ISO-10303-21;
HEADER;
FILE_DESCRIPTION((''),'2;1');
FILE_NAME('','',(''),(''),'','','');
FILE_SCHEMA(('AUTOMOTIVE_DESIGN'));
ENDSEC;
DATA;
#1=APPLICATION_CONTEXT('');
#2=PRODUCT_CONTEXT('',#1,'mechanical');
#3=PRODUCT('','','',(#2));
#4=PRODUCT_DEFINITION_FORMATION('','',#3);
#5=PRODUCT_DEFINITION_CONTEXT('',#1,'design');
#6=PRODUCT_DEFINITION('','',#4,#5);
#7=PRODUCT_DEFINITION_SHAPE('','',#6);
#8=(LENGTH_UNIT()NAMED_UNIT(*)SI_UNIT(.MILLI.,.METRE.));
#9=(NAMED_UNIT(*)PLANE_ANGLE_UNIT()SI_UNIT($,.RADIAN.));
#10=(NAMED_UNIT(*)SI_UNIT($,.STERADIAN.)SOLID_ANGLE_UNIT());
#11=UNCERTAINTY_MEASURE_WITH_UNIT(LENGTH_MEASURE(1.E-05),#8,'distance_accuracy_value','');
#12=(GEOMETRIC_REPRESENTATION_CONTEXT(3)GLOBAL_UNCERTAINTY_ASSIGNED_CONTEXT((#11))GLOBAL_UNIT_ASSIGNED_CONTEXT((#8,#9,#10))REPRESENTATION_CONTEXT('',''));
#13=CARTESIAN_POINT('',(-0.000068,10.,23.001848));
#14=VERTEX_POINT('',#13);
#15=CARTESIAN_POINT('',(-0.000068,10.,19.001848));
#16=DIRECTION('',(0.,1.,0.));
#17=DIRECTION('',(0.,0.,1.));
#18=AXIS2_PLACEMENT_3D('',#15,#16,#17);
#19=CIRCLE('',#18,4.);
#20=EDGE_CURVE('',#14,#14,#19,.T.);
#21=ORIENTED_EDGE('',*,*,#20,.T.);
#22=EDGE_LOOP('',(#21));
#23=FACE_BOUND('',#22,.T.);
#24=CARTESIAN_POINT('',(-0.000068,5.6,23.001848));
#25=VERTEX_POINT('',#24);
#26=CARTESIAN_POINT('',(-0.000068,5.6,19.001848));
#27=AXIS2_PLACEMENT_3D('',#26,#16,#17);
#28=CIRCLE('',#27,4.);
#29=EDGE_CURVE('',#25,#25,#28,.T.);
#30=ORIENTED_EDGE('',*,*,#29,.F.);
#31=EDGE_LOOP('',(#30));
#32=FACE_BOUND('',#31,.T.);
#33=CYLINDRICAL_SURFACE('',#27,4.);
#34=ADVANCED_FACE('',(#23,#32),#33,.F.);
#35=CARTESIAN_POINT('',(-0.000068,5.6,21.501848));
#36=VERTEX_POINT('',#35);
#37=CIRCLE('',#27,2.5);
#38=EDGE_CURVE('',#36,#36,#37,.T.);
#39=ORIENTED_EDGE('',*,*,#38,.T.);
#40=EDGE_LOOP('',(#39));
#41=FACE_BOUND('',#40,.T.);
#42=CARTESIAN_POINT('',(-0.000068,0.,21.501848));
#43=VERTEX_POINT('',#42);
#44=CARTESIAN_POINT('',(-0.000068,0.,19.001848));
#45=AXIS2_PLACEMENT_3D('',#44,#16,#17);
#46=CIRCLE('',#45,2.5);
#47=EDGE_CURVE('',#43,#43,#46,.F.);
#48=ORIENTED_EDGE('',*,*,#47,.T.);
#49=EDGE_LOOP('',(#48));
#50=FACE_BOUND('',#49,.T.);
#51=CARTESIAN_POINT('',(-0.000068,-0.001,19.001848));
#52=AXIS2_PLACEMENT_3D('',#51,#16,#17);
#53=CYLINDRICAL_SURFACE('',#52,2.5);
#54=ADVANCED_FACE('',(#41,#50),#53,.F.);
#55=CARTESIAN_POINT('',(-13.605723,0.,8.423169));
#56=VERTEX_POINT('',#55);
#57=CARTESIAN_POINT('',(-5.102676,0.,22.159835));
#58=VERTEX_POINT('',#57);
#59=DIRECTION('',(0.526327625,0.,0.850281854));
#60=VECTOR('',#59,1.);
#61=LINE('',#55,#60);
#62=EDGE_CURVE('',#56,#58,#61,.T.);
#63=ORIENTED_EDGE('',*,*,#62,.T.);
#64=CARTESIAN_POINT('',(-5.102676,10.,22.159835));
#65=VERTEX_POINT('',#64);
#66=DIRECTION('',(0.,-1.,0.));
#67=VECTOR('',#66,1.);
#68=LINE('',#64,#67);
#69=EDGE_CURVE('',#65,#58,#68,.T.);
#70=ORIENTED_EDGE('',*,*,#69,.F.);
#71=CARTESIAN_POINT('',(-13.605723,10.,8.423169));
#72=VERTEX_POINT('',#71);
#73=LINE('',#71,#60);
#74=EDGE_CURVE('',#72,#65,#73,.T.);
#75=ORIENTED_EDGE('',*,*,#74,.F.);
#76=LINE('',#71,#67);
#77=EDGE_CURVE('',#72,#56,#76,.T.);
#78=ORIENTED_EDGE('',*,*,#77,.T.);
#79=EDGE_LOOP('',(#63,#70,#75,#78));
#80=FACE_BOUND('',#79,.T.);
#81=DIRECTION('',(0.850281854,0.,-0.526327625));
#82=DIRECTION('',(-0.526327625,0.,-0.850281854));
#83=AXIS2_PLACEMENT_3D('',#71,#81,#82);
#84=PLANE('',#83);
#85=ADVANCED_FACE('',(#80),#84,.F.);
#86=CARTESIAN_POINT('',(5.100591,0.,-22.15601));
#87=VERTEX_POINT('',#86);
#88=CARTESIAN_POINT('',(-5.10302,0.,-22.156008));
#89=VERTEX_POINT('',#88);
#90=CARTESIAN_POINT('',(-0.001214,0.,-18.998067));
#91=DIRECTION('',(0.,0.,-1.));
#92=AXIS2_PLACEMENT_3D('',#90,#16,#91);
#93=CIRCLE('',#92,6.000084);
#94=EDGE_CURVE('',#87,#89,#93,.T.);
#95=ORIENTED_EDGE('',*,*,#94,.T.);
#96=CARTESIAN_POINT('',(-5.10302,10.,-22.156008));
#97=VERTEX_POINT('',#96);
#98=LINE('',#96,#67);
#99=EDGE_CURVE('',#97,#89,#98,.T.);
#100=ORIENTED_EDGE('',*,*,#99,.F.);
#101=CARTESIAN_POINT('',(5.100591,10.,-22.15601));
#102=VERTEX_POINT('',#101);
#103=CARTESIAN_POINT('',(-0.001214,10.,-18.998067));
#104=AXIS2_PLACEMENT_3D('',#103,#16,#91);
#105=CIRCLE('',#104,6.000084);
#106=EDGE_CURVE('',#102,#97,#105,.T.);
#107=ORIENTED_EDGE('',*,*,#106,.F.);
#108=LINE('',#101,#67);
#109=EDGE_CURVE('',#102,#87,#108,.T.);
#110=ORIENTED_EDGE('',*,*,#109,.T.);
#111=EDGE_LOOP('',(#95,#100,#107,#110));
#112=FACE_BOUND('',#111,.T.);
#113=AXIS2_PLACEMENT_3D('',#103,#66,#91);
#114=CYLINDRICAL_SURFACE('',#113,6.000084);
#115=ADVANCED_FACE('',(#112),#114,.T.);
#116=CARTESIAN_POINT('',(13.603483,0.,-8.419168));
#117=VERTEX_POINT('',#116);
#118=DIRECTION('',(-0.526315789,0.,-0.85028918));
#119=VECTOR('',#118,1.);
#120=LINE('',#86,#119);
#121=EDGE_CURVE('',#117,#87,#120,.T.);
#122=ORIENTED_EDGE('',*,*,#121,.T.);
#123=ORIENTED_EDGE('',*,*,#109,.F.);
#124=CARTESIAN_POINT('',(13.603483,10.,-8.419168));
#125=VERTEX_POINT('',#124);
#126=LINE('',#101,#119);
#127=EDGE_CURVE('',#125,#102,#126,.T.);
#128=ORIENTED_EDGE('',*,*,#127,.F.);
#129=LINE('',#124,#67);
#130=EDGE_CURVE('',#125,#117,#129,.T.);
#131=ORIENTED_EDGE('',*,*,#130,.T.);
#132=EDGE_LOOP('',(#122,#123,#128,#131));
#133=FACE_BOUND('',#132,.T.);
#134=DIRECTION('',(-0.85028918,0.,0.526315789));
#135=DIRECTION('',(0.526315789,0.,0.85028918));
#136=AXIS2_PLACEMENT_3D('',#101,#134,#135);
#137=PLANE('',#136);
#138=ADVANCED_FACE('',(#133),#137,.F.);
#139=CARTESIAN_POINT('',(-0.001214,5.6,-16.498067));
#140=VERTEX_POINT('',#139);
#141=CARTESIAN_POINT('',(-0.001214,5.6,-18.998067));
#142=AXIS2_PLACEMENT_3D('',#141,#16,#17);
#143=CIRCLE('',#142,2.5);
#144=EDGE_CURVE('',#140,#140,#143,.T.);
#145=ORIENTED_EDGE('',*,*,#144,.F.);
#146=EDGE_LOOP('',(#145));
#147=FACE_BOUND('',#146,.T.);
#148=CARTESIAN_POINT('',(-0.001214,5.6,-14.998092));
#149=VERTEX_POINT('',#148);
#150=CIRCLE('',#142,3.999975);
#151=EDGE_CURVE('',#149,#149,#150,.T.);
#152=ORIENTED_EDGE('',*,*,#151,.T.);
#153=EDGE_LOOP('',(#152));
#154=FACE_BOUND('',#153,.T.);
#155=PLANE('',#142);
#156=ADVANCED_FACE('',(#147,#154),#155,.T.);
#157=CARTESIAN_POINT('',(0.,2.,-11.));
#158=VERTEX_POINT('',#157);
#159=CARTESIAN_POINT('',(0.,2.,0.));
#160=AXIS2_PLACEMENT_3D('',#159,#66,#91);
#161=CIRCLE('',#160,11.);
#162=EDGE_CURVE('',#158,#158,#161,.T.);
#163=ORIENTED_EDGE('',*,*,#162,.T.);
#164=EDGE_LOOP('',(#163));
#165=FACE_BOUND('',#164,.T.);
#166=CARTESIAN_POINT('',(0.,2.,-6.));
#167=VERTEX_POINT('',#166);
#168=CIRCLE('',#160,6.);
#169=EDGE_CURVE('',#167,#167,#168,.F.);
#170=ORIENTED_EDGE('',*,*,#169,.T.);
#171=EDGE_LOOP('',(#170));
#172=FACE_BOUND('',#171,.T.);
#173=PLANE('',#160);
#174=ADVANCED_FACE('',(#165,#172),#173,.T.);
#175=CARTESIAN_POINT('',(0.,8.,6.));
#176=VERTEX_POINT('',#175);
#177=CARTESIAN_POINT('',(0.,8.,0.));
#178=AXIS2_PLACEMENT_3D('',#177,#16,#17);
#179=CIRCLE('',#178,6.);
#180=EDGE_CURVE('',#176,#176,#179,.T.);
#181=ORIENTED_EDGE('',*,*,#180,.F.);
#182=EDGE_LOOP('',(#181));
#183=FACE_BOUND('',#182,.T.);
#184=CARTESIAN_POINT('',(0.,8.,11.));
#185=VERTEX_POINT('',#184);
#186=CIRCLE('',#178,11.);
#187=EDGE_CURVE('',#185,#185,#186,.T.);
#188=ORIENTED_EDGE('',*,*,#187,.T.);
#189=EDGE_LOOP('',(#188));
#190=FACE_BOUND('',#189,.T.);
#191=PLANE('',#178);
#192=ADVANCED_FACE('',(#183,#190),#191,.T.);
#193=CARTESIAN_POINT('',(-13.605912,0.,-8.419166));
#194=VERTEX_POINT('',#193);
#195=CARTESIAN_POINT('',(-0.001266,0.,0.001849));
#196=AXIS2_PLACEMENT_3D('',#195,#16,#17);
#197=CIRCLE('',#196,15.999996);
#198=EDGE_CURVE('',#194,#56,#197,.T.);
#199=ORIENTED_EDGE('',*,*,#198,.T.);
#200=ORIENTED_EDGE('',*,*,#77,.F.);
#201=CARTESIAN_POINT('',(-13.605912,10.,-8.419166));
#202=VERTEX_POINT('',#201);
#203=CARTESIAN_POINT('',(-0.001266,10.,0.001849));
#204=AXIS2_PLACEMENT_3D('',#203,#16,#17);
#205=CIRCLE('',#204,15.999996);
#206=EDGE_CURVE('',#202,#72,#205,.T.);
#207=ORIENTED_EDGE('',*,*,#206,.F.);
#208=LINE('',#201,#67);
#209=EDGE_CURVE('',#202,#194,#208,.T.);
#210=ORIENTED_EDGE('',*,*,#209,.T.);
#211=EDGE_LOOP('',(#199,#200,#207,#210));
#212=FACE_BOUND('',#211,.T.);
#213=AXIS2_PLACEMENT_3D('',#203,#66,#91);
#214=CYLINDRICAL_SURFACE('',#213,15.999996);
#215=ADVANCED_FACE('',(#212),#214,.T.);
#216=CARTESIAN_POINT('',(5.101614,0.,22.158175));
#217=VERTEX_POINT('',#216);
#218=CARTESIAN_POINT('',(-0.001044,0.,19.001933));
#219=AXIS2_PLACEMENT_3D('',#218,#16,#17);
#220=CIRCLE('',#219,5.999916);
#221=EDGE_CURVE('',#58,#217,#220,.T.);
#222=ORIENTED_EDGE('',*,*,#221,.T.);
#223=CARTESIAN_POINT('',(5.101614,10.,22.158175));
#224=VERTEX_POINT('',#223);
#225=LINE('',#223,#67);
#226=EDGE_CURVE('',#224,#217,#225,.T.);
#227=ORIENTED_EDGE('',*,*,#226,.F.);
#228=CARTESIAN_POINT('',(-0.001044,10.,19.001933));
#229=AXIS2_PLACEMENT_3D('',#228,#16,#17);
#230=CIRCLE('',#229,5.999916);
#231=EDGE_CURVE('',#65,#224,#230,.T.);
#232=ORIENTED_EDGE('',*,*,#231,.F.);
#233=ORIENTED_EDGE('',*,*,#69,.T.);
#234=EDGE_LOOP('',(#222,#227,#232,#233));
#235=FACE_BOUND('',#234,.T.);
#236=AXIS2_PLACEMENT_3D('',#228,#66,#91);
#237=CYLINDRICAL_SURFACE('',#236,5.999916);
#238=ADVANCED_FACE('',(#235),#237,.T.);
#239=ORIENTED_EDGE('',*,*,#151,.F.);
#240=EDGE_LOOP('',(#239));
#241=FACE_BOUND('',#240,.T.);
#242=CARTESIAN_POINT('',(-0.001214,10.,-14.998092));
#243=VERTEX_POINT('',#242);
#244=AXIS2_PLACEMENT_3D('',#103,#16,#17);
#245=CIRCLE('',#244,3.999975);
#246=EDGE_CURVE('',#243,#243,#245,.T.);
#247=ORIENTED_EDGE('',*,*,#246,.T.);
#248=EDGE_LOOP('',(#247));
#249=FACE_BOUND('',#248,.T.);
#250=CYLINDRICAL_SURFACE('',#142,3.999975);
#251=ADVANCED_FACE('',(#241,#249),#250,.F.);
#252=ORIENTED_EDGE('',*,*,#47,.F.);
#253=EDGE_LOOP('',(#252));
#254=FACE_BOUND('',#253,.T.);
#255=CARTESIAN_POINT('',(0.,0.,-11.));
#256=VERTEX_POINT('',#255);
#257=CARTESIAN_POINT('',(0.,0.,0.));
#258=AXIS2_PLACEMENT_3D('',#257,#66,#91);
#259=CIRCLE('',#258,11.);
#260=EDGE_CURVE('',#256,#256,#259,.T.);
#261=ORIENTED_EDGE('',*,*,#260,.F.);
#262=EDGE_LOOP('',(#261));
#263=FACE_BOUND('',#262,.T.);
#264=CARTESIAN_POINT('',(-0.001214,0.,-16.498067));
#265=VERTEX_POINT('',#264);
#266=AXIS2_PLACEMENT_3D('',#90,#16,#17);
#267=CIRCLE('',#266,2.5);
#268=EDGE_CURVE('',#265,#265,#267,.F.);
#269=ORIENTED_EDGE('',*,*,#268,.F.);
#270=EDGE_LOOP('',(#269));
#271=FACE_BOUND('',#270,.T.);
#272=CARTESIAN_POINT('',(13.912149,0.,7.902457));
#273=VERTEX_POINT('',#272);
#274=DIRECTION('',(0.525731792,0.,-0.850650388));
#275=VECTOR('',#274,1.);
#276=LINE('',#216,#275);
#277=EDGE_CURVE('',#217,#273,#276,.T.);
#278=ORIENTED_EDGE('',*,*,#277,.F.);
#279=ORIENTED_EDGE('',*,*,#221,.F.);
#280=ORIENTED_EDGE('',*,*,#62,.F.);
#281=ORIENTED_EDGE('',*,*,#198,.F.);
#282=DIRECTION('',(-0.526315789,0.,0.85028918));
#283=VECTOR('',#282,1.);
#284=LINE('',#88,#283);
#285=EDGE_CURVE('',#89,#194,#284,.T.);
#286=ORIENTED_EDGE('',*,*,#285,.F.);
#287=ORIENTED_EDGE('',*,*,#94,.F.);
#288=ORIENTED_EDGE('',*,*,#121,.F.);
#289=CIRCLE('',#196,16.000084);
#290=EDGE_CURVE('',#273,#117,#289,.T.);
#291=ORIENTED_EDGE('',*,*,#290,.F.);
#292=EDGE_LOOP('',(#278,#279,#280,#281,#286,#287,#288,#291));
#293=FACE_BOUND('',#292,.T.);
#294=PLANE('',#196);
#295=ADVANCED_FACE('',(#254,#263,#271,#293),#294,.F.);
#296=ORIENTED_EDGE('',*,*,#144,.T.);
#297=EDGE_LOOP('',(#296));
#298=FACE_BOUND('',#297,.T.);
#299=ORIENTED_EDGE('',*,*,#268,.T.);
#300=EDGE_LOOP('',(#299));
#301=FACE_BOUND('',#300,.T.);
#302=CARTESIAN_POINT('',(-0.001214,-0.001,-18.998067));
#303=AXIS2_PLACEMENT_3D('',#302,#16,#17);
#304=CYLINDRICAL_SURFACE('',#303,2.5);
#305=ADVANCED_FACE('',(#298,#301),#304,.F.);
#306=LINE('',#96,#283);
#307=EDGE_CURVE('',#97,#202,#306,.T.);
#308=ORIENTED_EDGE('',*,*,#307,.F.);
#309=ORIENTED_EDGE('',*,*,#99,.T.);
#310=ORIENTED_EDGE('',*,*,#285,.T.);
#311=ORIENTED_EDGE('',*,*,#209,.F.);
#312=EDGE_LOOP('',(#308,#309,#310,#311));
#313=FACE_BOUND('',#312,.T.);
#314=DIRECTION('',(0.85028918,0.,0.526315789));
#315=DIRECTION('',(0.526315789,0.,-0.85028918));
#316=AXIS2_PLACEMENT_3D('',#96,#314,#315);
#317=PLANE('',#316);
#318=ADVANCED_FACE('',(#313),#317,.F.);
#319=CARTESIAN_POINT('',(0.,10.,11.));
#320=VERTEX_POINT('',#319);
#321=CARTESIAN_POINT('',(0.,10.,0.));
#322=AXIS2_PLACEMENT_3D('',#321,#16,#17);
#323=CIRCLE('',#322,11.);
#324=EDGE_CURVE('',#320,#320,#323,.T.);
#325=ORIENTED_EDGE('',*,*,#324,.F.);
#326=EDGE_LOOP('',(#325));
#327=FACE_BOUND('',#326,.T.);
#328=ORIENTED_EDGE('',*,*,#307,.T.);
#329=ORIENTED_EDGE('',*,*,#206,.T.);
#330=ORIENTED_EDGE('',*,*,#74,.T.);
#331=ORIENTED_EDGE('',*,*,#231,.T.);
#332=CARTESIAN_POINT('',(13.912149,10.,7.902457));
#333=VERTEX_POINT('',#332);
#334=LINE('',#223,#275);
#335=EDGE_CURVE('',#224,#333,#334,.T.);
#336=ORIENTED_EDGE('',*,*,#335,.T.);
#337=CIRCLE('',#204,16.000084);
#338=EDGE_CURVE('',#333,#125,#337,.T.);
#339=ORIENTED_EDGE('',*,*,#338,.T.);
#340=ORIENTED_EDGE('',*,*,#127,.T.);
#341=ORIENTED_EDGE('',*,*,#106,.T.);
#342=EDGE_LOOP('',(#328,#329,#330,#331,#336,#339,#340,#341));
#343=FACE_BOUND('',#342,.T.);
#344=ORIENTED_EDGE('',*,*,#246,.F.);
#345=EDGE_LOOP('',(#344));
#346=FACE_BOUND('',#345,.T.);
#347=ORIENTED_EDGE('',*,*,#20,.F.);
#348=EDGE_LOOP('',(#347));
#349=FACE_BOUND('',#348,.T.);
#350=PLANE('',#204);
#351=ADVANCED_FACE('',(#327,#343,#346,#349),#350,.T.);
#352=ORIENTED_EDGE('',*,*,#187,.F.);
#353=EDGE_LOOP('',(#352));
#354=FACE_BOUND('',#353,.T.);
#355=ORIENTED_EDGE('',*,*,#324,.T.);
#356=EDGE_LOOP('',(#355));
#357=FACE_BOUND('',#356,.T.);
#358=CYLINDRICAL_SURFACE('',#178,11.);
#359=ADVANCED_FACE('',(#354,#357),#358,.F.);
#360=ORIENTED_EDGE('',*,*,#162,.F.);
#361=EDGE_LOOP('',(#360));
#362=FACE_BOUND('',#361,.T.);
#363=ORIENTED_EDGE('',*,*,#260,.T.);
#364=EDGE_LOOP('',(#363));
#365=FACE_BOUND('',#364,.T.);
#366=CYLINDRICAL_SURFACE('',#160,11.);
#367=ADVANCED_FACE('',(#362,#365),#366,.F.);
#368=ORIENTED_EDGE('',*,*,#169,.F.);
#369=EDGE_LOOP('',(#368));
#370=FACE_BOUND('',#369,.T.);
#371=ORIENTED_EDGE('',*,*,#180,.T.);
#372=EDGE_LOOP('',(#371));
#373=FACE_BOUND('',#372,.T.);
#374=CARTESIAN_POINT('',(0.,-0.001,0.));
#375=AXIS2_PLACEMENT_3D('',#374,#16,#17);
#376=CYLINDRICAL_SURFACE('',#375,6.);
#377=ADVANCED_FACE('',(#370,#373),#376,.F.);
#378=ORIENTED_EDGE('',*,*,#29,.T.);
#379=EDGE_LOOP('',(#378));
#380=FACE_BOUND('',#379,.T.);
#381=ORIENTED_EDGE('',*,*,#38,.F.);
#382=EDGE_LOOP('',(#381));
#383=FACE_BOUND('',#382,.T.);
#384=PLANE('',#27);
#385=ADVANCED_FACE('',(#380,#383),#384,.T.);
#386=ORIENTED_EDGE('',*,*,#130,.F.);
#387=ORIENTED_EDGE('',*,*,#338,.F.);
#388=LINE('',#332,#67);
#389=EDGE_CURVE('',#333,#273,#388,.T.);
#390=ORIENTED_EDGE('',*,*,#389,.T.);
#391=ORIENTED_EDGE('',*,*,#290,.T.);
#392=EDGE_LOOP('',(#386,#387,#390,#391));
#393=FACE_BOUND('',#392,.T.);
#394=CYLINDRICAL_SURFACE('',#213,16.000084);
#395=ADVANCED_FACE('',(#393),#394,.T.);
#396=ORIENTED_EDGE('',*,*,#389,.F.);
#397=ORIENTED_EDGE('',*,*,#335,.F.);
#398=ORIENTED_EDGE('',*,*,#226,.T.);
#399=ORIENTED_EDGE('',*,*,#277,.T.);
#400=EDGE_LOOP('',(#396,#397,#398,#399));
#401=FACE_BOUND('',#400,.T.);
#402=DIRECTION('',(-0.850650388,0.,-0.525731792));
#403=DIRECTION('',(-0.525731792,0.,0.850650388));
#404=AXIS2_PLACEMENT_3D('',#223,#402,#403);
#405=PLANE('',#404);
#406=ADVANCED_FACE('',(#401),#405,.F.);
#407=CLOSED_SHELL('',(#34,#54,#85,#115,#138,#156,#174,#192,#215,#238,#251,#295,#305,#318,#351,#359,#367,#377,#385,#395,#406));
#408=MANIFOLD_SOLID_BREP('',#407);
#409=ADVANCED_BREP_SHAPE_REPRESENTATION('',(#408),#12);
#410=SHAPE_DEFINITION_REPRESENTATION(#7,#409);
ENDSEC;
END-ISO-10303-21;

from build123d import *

# Parameters (mm, degrees)
BOSS_EXTRUDE1_DEPTH = 10
SKETCH2_R           = 3.99997531
SKETCH2_R_2         = 4
CUT_EXTRUDE1_DEPTH  = 4.4
CUT_EXTRUDE2_REACH  = 32.207
SKETCH3_R           = 2.5
SKETCH4_R           = 11
CUT_EXTRUDE3_DEPTH  = 2
CUT_EXTRUDE4_REACH  = 32.743
SKETCH5_R           = 6
CUT_EXTRUDE5_START  = -2
SKETCH6_R           = 11
CUT_EXTRUDE5_DEPTH  = 2


with BuildPart() as part:
    # Sketch1 → Boss-Extrude1 (new body)
    with BuildSketch(Plane(origin=(0, 0, 0), x_dir=(1, 0, 0), z_dir=(0, 1, 0))):
        with BuildLine():
            Line((-5.103019764, 22.15600792), (-13.605911567, 8.419165811))
            ThreePointArc((-13.605911567, 8.419165811), (-16.001261955, -0.002028565), (-13.605722542, -8.423169172))
            Line((-13.605722542, -8.423169172), (-5.102675537, -22.159834758))
            ThreePointArc((-5.102675537, -22.159834758), (-6.8217e-05, -25.001848451), (5.101614332, -22.158175041))
            Line((5.101614332, -22.158175041), (13.912148597, -7.902456622))
            ThreePointArc((13.912148597, -7.902456622), (15.995958201, 0.300682208), (13.603482502, 8.419167853))
            Line((13.603482502, 8.419167853), (5.100590702, 22.156009965))
            ThreePointArc((5.100590702, 22.156009965), (-0.0012151, 24.998151536), (-5.103019764, 22.15600792))
        make_face()
    extrude(amount=BOSS_EXTRUDE1_DEPTH)

    # Sketch2 → Cut-Extrude1 (cut)
    with BuildSketch(Plane(origin=(0, 10, 0), x_dir=(1, 0, 0), z_dir=(0, 1, 0))):
        with Locations((-0.001213898, 18.998067086)):
            Circle(SKETCH2_R)
        with Locations((-6.8217e-05, -19.001848451)):
            Circle(SKETCH2_R_2)
    extrude(amount=-CUT_EXTRUDE1_DEPTH, mode=Mode.SUBTRACT)

    # Sketch3 → Cut-Extrude2 (cut, up to next)
    with BuildSketch(Plane(origin=(0, 5.6, 0), x_dir=(1, 0, 0), z_dir=(0, 1, 0)), mode=Mode.PRIVATE) as cut_extrude2_sk1:
        with Locations((-0.001213898, 18.998067086)):
            Circle(SKETCH3_R)
    cut_extrude2_tool1 = extrude(cut_extrude2_sk1.sketch, amount=-CUT_EXTRUDE2_REACH, mode=Mode.PRIVATE) & part.part
    # Sketch3 → Cut-Extrude2 (cut, up to next)
    with BuildSketch(Plane(origin=(0, 5.6, 0), x_dir=(1, 0, 0), z_dir=(0, 1, 0)), mode=Mode.PRIVATE) as cut_extrude2_sk2:
        with Locations((-6.8217e-05, -19.001848451)):
            Circle(SKETCH3_R)
    cut_extrude2_tool2 = extrude(cut_extrude2_sk2.sketch, amount=-CUT_EXTRUDE2_REACH, mode=Mode.PRIVATE) & part.part
    add(cut_extrude2_tool1.solids().sort_by_distance((-0.001214, 5.6, -18.998067))[0], mode=Mode.SUBTRACT)
    add(cut_extrude2_tool2.solids().sort_by_distance((-6.8e-05, 5.6, 19.001848))[0], mode=Mode.SUBTRACT)

    # Sketch4 → Cut-Extrude3 (cut)
    with BuildSketch(Plane(origin=(0, 10, 0), x_dir=(1, 0, 0), z_dir=(0, 1, 0))):
        Circle(SKETCH4_R)
    extrude(amount=-CUT_EXTRUDE3_DEPTH, mode=Mode.SUBTRACT)

    # Sketch5 → Cut-Extrude4 (cut, up to next)
    with BuildSketch(Plane(origin=(0, 8, 0), x_dir=(1, 0, 0), z_dir=(0, 1, 0)), mode=Mode.PRIVATE) as cut_extrude4_sk1:
        Circle(SKETCH5_R)
    cut_extrude4_tool1 = extrude(cut_extrude4_sk1.sketch, amount=-CUT_EXTRUDE4_REACH, mode=Mode.PRIVATE) & part.part
    add(cut_extrude4_tool1.solids().sort_by_distance((0, 8, 0))[0], mode=Mode.SUBTRACT)

    # Sketch6 → Cut-Extrude5 (cut)
    with BuildSketch(Plane.XZ.offset(CUT_EXTRUDE5_START)):
        Circle(SKETCH6_R)
    extrude(amount=CUT_EXTRUDE5_DEPTH, mode=Mode.SUBTRACT)


solid = part.part
